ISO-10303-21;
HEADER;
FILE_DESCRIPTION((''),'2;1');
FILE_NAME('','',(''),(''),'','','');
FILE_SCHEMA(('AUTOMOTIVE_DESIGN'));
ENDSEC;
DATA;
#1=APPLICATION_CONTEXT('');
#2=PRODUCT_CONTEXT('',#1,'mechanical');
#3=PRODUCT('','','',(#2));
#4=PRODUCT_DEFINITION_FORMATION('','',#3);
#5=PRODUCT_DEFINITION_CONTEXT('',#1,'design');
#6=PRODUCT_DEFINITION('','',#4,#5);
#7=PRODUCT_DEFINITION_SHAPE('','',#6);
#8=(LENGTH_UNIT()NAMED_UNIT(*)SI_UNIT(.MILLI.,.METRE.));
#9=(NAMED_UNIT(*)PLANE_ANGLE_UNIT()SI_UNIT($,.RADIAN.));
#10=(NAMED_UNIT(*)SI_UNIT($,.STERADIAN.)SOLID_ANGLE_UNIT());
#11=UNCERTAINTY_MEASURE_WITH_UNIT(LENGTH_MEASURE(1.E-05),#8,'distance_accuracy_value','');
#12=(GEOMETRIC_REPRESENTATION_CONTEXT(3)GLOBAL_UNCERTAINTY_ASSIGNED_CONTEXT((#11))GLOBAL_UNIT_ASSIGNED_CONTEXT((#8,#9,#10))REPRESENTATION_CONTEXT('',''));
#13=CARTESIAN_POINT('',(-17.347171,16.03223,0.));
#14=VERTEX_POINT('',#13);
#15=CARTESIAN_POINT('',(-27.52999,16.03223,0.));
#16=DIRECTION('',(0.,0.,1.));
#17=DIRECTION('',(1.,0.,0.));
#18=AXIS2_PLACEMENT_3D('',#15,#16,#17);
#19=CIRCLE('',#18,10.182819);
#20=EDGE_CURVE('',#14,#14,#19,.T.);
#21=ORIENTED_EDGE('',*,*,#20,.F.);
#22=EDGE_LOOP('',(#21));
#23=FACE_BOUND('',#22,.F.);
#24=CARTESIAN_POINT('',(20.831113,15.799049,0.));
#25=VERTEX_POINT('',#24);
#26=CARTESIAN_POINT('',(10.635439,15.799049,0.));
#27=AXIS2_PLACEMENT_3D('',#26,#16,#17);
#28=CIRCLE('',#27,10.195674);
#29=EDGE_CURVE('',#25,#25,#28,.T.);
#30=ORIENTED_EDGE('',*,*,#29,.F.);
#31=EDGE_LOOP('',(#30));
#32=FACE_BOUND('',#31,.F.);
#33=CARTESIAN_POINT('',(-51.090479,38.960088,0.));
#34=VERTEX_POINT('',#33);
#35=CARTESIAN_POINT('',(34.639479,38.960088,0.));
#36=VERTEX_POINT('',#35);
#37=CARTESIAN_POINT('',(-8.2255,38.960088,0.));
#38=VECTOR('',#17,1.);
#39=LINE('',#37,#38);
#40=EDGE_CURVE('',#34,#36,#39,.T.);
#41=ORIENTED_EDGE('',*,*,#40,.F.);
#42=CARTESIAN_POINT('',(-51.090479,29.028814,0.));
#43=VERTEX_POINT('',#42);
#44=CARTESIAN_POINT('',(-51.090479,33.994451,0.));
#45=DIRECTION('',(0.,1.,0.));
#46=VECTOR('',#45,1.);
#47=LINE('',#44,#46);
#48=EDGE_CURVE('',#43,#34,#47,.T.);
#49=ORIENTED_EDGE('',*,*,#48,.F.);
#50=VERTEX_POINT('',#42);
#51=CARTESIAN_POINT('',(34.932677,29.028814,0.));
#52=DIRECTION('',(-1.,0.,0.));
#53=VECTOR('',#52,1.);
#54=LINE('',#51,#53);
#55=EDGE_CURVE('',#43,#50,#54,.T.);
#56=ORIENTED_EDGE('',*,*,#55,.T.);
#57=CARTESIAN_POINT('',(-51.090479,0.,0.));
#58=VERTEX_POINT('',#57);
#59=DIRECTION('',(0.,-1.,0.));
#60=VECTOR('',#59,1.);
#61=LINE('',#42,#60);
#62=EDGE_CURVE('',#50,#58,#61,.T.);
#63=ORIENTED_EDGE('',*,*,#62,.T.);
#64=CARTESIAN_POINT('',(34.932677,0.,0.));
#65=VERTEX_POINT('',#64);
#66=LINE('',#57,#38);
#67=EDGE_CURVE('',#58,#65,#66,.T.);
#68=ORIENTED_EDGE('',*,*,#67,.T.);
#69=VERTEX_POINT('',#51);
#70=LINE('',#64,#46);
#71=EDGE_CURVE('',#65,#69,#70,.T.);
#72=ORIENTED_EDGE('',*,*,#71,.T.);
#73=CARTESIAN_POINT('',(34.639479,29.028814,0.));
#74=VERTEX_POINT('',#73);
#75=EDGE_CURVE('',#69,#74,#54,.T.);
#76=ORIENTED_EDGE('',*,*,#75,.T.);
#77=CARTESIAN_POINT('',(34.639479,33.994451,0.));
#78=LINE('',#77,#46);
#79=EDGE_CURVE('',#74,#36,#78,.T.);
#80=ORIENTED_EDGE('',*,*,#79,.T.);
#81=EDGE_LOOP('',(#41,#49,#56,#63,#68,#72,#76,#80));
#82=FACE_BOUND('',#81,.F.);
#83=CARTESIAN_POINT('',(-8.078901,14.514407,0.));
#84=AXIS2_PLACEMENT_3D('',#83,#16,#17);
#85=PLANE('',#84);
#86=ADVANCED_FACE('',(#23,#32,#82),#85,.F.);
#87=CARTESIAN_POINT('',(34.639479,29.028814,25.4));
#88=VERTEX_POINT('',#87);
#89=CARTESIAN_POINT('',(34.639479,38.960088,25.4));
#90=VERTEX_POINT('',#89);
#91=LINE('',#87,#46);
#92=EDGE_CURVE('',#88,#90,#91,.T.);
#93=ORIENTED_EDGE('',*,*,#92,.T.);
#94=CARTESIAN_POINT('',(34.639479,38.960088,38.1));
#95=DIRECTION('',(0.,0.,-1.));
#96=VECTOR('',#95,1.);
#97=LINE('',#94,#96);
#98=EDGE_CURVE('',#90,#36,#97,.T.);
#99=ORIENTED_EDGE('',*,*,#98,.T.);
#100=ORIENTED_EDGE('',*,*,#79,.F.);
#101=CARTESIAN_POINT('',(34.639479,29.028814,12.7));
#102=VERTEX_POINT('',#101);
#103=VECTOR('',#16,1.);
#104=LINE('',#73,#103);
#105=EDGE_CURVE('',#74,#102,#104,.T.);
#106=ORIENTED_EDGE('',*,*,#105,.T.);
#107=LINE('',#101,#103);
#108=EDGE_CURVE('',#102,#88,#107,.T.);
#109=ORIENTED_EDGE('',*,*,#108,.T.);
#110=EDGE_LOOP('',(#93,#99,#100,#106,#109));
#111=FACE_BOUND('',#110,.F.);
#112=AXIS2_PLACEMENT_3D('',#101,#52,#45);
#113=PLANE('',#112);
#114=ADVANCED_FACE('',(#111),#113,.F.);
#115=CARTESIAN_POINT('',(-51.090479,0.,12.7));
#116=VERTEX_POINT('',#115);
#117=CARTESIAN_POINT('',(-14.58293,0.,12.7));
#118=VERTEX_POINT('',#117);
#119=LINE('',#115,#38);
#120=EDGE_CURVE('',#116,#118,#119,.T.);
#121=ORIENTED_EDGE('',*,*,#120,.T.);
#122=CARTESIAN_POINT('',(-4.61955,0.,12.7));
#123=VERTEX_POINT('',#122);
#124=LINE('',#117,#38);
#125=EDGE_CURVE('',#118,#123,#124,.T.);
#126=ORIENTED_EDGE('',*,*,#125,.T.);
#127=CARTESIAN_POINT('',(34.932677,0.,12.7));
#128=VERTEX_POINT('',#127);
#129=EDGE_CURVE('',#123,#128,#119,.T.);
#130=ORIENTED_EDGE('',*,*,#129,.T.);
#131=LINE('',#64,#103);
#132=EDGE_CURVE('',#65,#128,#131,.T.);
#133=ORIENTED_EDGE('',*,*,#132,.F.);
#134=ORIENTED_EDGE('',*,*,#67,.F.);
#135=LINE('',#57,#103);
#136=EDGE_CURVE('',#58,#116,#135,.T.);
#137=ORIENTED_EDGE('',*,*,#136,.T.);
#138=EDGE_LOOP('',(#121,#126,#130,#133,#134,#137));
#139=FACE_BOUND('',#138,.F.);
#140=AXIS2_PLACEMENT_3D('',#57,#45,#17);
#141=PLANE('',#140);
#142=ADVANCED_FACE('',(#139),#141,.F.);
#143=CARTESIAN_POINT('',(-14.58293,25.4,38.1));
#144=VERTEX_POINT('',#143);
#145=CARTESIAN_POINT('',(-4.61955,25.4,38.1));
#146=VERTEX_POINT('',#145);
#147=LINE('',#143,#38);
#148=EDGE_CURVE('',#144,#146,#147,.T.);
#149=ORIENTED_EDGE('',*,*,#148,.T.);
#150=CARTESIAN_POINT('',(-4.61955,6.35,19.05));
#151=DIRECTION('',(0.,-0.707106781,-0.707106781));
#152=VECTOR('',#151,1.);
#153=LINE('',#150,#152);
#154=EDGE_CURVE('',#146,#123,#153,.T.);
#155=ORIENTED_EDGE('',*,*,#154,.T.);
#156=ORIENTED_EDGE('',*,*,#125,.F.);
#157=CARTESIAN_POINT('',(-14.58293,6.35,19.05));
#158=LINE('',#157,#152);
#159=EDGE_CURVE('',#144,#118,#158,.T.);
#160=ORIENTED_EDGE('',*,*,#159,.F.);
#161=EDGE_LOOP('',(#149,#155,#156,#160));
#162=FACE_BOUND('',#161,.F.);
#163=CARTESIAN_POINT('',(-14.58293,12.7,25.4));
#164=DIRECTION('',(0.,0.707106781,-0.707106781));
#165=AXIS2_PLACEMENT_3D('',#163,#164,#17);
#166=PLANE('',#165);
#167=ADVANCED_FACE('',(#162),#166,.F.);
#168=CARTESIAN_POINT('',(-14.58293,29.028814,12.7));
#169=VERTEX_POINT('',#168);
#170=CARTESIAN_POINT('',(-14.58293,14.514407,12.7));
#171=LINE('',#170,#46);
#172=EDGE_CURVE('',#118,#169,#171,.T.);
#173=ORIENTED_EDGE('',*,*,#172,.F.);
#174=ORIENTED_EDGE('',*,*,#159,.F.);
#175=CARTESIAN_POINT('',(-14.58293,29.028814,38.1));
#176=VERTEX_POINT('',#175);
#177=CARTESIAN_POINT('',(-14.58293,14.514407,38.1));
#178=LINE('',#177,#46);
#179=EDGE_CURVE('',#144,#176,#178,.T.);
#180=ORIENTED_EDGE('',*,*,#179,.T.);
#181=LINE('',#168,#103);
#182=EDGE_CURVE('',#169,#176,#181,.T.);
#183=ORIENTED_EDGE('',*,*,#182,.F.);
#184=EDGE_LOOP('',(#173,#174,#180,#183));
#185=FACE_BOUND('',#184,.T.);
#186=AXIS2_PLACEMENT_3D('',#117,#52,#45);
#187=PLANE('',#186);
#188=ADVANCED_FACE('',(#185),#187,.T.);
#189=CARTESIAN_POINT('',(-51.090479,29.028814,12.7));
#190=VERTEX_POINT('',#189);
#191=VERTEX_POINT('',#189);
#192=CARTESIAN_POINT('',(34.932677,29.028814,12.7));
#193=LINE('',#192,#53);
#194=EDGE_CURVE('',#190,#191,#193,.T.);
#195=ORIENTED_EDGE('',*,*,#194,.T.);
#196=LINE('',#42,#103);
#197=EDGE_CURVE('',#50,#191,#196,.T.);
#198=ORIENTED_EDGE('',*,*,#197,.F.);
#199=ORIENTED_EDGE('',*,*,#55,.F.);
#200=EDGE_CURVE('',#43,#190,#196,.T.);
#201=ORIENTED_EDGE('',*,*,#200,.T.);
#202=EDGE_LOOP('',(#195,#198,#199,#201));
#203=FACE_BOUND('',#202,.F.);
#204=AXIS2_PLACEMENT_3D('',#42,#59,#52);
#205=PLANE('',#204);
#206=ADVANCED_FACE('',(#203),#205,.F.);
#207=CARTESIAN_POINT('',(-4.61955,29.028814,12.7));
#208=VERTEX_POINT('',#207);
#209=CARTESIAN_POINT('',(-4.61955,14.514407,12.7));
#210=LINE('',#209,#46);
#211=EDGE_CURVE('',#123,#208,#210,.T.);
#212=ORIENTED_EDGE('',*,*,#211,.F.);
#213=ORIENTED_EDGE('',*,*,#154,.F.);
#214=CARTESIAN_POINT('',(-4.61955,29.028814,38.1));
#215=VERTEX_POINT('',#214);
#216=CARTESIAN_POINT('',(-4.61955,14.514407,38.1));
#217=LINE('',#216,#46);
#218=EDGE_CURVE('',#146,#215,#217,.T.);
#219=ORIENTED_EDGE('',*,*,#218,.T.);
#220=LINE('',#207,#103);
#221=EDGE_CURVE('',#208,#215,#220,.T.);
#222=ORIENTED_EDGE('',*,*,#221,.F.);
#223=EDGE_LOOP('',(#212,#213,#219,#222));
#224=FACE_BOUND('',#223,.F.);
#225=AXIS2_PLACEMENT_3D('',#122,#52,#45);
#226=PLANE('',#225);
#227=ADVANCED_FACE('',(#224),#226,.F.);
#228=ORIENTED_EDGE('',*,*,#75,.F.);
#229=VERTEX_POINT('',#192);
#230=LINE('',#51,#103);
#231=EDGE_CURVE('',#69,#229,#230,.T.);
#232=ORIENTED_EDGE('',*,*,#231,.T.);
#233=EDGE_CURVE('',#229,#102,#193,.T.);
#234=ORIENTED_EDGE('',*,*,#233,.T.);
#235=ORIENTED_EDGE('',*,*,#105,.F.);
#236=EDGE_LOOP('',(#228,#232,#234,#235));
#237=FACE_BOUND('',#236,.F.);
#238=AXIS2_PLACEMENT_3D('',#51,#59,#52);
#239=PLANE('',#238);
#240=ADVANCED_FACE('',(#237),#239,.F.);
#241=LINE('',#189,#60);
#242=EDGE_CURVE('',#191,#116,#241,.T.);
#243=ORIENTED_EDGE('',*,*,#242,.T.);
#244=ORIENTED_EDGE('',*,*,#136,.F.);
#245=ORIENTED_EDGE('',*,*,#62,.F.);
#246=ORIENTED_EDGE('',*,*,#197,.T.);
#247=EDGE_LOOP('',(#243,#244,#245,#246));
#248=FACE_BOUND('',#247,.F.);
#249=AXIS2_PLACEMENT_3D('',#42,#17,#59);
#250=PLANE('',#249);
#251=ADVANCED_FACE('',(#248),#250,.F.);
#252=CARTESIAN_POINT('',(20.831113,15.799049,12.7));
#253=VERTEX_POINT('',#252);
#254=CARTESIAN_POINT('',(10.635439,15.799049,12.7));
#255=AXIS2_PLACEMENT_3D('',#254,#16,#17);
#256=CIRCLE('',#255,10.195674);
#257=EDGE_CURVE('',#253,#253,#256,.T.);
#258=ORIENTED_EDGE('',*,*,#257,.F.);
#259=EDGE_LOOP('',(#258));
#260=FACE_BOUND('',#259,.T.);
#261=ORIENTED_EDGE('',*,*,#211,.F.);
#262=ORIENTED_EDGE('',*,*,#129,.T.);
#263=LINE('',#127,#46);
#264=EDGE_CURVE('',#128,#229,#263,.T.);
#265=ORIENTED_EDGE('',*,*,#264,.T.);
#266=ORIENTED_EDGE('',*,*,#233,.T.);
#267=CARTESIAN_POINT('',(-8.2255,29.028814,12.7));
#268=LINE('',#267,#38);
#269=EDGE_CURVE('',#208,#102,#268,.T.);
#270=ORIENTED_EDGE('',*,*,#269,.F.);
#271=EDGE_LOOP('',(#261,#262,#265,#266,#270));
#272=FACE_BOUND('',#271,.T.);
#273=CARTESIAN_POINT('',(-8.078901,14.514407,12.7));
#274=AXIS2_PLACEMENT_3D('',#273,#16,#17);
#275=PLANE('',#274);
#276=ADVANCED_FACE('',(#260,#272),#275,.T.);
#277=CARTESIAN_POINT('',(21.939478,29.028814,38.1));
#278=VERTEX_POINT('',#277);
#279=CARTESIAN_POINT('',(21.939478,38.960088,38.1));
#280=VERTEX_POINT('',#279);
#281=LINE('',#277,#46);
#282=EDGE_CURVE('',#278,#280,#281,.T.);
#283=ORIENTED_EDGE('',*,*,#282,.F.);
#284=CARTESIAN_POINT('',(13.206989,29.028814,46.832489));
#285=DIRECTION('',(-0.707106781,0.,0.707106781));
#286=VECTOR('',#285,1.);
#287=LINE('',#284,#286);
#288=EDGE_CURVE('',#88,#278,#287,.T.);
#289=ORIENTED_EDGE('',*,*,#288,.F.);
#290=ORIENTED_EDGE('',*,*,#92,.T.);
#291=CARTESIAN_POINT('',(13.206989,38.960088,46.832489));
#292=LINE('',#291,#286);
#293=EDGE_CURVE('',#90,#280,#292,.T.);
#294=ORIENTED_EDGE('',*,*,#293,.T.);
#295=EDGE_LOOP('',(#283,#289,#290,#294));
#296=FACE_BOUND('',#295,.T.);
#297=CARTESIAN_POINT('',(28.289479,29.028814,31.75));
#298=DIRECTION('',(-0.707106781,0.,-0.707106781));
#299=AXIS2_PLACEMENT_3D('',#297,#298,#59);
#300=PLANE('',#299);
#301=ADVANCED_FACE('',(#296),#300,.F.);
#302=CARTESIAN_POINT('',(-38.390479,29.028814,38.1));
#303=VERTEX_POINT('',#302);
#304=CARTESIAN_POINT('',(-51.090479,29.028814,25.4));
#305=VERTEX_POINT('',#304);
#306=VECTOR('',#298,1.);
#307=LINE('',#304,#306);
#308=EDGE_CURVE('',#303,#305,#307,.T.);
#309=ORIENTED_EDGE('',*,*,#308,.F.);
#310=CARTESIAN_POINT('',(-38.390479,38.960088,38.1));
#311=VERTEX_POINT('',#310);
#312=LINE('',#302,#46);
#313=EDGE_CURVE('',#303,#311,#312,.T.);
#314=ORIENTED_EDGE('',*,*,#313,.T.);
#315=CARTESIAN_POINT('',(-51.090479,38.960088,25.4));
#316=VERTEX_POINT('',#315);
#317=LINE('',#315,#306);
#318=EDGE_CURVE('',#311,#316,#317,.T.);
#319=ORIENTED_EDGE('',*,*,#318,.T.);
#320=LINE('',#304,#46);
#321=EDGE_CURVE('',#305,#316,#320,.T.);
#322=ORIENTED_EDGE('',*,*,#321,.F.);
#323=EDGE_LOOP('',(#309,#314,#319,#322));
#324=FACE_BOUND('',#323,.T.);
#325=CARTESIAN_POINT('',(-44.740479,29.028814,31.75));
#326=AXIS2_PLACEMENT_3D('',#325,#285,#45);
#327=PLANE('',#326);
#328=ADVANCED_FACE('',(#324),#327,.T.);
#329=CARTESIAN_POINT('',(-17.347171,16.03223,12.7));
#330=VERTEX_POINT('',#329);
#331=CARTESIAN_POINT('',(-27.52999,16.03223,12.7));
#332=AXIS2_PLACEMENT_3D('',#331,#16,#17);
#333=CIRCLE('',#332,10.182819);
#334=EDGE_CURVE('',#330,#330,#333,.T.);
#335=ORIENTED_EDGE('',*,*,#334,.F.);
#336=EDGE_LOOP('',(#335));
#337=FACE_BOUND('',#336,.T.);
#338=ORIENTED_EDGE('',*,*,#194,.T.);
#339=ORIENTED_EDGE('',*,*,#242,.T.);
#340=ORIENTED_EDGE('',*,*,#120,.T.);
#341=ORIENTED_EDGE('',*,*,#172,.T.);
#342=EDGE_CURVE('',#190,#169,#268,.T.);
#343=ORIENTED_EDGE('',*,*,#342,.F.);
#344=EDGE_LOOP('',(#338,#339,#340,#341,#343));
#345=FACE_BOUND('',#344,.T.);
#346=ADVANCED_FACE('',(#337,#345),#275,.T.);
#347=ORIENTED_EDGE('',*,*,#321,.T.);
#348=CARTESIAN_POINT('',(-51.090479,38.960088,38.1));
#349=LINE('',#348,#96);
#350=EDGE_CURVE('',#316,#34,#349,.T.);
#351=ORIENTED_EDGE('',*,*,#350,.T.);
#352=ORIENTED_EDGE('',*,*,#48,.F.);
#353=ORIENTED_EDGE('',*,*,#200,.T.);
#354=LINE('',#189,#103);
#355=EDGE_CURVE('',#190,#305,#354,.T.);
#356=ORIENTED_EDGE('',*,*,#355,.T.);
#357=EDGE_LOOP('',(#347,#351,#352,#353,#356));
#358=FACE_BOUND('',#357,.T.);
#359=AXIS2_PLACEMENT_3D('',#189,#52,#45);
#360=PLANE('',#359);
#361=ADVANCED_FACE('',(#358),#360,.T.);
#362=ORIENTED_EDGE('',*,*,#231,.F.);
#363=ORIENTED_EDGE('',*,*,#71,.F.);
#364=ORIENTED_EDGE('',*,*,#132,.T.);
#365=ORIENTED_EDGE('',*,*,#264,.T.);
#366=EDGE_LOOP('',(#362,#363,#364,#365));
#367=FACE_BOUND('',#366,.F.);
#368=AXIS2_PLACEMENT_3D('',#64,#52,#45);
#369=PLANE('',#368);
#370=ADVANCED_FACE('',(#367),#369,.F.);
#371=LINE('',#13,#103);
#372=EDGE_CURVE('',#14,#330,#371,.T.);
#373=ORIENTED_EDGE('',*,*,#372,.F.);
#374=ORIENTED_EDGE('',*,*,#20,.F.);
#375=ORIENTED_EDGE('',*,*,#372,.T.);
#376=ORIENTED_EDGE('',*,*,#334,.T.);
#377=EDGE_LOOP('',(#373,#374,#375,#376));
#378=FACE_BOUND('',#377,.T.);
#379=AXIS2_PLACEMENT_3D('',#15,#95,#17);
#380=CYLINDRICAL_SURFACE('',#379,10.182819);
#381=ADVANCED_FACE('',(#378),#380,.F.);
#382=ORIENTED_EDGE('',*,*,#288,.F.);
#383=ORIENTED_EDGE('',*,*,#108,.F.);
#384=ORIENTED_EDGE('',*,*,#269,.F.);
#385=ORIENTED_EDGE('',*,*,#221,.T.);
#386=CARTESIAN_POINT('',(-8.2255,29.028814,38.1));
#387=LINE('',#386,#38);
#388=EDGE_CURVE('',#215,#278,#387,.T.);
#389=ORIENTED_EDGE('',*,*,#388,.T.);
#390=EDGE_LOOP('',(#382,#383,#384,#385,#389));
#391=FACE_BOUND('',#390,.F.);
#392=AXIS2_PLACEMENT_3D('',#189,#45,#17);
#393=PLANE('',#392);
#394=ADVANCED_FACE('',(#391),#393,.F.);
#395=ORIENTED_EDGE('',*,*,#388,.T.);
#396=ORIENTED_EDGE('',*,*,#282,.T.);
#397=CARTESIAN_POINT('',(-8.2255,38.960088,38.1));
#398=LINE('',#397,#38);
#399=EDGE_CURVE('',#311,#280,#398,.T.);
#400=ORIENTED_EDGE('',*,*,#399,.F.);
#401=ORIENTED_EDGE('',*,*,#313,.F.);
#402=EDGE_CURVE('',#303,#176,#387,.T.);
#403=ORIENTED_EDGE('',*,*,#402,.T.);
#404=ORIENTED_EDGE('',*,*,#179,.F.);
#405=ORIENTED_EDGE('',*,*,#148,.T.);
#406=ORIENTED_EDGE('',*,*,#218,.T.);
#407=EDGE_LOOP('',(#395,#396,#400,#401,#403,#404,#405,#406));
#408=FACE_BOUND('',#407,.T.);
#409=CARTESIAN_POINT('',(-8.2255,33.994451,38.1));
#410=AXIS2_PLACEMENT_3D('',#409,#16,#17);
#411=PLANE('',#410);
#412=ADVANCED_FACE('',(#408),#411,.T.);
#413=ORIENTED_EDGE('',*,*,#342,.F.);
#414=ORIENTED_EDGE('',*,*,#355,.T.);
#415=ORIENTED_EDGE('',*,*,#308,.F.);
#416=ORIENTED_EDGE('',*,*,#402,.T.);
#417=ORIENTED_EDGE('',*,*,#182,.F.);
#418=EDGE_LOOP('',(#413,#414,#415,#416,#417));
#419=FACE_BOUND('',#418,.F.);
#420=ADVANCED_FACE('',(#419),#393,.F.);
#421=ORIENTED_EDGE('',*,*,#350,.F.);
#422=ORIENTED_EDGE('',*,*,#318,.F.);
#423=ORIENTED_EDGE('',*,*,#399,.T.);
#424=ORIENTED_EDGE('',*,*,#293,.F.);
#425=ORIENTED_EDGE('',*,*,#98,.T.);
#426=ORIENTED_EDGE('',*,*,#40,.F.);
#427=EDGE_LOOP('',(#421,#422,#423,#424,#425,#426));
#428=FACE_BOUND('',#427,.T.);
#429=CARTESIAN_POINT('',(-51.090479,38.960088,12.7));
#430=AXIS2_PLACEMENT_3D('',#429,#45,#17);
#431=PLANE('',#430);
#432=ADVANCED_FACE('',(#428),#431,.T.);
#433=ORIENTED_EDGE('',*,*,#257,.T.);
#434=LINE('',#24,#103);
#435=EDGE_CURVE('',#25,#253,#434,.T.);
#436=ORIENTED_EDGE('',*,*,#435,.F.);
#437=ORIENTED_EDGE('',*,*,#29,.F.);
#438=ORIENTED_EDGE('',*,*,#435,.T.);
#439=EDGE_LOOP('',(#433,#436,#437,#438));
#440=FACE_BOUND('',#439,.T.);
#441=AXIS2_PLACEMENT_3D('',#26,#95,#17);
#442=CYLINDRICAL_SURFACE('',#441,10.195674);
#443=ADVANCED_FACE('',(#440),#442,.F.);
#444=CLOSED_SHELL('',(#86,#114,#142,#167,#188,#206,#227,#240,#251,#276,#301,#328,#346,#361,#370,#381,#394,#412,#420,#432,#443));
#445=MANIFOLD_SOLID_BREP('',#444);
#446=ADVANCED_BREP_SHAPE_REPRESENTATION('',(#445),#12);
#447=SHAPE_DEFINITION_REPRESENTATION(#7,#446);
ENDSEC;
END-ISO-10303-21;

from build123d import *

# Parameters (mm, degrees)
F0_R     = 10.182819
F0_R_2   = 10.195674
F0_W     = 85.729957
F0_H     = 9.931274
F1_DEPTH = 12.7
F2_W     = 85.729957
F2_H     = 9.931274
F3_DEPTH = 25.4
F4_SIZE  = 12.7
F5_SIZE  = 12.7
F6_W     = 9.963379
F6_H     = 29.028814
F7_DEPTH = 25.4
F8_SIZE  = 25.4


with BuildPart() as f1:
    # F0 (on Top) → F1 (new body)
    with BuildSketch(Plane.XY):
        Polygon((-51.090479, 0), (34.932677, 0), (34.932677, 29.028814), (34.639478, 29.028814), (-51.090479, 29.028814), align=None)
        with Locations((-27.52999, 16.03223)):
            Circle(F0_R, mode=Mode.SUBTRACT)
        with Locations((10.635439, 15.799049)):
            Circle(F0_R_2, mode=Mode.SUBTRACT)
        with Locations((-8.2255, 33.994451)):
            Rectangle(F0_W, F0_H)
    extrude(amount=F1_DEPTH)

    # F2 (on face) → F3 (join)
    with BuildSketch(Plane.XY.offset(12.7)):
        with Locations((-8.2255, 33.994451)):
            Rectangle(F2_W, F2_H)
    extrude(amount=F3_DEPTH)

    # F4
    f4_edges = [f1.edges().sort_by_distance(p)[0] for p in [
        (34.639478, 33.994451, 38.1),
    ]]
    chamfer(f4_edges, length=F4_SIZE)

    # F5
    f5_edges = [f1.edges().sort_by_distance(p)[0] for p in [
        (-51.090479, 33.994451, 38.1),
    ]]
    chamfer(f5_edges, length=F5_SIZE)

    # F6 (on face) → F7 (join)
    with BuildSketch(Plane.XY.offset(12.7)):
        with Locations((-9.60124, 14.514407)):
            Rectangle(F6_W, F6_H)
    extrude(amount=F7_DEPTH)

    # F8
    f8_edges = [f1.edges().sort_by_distance(p)[0] for p in [
        (-9.601241, 0, 38.1),
    ]]
    chamfer(f8_edges, length=F8_SIZE)


solid = f1.part
